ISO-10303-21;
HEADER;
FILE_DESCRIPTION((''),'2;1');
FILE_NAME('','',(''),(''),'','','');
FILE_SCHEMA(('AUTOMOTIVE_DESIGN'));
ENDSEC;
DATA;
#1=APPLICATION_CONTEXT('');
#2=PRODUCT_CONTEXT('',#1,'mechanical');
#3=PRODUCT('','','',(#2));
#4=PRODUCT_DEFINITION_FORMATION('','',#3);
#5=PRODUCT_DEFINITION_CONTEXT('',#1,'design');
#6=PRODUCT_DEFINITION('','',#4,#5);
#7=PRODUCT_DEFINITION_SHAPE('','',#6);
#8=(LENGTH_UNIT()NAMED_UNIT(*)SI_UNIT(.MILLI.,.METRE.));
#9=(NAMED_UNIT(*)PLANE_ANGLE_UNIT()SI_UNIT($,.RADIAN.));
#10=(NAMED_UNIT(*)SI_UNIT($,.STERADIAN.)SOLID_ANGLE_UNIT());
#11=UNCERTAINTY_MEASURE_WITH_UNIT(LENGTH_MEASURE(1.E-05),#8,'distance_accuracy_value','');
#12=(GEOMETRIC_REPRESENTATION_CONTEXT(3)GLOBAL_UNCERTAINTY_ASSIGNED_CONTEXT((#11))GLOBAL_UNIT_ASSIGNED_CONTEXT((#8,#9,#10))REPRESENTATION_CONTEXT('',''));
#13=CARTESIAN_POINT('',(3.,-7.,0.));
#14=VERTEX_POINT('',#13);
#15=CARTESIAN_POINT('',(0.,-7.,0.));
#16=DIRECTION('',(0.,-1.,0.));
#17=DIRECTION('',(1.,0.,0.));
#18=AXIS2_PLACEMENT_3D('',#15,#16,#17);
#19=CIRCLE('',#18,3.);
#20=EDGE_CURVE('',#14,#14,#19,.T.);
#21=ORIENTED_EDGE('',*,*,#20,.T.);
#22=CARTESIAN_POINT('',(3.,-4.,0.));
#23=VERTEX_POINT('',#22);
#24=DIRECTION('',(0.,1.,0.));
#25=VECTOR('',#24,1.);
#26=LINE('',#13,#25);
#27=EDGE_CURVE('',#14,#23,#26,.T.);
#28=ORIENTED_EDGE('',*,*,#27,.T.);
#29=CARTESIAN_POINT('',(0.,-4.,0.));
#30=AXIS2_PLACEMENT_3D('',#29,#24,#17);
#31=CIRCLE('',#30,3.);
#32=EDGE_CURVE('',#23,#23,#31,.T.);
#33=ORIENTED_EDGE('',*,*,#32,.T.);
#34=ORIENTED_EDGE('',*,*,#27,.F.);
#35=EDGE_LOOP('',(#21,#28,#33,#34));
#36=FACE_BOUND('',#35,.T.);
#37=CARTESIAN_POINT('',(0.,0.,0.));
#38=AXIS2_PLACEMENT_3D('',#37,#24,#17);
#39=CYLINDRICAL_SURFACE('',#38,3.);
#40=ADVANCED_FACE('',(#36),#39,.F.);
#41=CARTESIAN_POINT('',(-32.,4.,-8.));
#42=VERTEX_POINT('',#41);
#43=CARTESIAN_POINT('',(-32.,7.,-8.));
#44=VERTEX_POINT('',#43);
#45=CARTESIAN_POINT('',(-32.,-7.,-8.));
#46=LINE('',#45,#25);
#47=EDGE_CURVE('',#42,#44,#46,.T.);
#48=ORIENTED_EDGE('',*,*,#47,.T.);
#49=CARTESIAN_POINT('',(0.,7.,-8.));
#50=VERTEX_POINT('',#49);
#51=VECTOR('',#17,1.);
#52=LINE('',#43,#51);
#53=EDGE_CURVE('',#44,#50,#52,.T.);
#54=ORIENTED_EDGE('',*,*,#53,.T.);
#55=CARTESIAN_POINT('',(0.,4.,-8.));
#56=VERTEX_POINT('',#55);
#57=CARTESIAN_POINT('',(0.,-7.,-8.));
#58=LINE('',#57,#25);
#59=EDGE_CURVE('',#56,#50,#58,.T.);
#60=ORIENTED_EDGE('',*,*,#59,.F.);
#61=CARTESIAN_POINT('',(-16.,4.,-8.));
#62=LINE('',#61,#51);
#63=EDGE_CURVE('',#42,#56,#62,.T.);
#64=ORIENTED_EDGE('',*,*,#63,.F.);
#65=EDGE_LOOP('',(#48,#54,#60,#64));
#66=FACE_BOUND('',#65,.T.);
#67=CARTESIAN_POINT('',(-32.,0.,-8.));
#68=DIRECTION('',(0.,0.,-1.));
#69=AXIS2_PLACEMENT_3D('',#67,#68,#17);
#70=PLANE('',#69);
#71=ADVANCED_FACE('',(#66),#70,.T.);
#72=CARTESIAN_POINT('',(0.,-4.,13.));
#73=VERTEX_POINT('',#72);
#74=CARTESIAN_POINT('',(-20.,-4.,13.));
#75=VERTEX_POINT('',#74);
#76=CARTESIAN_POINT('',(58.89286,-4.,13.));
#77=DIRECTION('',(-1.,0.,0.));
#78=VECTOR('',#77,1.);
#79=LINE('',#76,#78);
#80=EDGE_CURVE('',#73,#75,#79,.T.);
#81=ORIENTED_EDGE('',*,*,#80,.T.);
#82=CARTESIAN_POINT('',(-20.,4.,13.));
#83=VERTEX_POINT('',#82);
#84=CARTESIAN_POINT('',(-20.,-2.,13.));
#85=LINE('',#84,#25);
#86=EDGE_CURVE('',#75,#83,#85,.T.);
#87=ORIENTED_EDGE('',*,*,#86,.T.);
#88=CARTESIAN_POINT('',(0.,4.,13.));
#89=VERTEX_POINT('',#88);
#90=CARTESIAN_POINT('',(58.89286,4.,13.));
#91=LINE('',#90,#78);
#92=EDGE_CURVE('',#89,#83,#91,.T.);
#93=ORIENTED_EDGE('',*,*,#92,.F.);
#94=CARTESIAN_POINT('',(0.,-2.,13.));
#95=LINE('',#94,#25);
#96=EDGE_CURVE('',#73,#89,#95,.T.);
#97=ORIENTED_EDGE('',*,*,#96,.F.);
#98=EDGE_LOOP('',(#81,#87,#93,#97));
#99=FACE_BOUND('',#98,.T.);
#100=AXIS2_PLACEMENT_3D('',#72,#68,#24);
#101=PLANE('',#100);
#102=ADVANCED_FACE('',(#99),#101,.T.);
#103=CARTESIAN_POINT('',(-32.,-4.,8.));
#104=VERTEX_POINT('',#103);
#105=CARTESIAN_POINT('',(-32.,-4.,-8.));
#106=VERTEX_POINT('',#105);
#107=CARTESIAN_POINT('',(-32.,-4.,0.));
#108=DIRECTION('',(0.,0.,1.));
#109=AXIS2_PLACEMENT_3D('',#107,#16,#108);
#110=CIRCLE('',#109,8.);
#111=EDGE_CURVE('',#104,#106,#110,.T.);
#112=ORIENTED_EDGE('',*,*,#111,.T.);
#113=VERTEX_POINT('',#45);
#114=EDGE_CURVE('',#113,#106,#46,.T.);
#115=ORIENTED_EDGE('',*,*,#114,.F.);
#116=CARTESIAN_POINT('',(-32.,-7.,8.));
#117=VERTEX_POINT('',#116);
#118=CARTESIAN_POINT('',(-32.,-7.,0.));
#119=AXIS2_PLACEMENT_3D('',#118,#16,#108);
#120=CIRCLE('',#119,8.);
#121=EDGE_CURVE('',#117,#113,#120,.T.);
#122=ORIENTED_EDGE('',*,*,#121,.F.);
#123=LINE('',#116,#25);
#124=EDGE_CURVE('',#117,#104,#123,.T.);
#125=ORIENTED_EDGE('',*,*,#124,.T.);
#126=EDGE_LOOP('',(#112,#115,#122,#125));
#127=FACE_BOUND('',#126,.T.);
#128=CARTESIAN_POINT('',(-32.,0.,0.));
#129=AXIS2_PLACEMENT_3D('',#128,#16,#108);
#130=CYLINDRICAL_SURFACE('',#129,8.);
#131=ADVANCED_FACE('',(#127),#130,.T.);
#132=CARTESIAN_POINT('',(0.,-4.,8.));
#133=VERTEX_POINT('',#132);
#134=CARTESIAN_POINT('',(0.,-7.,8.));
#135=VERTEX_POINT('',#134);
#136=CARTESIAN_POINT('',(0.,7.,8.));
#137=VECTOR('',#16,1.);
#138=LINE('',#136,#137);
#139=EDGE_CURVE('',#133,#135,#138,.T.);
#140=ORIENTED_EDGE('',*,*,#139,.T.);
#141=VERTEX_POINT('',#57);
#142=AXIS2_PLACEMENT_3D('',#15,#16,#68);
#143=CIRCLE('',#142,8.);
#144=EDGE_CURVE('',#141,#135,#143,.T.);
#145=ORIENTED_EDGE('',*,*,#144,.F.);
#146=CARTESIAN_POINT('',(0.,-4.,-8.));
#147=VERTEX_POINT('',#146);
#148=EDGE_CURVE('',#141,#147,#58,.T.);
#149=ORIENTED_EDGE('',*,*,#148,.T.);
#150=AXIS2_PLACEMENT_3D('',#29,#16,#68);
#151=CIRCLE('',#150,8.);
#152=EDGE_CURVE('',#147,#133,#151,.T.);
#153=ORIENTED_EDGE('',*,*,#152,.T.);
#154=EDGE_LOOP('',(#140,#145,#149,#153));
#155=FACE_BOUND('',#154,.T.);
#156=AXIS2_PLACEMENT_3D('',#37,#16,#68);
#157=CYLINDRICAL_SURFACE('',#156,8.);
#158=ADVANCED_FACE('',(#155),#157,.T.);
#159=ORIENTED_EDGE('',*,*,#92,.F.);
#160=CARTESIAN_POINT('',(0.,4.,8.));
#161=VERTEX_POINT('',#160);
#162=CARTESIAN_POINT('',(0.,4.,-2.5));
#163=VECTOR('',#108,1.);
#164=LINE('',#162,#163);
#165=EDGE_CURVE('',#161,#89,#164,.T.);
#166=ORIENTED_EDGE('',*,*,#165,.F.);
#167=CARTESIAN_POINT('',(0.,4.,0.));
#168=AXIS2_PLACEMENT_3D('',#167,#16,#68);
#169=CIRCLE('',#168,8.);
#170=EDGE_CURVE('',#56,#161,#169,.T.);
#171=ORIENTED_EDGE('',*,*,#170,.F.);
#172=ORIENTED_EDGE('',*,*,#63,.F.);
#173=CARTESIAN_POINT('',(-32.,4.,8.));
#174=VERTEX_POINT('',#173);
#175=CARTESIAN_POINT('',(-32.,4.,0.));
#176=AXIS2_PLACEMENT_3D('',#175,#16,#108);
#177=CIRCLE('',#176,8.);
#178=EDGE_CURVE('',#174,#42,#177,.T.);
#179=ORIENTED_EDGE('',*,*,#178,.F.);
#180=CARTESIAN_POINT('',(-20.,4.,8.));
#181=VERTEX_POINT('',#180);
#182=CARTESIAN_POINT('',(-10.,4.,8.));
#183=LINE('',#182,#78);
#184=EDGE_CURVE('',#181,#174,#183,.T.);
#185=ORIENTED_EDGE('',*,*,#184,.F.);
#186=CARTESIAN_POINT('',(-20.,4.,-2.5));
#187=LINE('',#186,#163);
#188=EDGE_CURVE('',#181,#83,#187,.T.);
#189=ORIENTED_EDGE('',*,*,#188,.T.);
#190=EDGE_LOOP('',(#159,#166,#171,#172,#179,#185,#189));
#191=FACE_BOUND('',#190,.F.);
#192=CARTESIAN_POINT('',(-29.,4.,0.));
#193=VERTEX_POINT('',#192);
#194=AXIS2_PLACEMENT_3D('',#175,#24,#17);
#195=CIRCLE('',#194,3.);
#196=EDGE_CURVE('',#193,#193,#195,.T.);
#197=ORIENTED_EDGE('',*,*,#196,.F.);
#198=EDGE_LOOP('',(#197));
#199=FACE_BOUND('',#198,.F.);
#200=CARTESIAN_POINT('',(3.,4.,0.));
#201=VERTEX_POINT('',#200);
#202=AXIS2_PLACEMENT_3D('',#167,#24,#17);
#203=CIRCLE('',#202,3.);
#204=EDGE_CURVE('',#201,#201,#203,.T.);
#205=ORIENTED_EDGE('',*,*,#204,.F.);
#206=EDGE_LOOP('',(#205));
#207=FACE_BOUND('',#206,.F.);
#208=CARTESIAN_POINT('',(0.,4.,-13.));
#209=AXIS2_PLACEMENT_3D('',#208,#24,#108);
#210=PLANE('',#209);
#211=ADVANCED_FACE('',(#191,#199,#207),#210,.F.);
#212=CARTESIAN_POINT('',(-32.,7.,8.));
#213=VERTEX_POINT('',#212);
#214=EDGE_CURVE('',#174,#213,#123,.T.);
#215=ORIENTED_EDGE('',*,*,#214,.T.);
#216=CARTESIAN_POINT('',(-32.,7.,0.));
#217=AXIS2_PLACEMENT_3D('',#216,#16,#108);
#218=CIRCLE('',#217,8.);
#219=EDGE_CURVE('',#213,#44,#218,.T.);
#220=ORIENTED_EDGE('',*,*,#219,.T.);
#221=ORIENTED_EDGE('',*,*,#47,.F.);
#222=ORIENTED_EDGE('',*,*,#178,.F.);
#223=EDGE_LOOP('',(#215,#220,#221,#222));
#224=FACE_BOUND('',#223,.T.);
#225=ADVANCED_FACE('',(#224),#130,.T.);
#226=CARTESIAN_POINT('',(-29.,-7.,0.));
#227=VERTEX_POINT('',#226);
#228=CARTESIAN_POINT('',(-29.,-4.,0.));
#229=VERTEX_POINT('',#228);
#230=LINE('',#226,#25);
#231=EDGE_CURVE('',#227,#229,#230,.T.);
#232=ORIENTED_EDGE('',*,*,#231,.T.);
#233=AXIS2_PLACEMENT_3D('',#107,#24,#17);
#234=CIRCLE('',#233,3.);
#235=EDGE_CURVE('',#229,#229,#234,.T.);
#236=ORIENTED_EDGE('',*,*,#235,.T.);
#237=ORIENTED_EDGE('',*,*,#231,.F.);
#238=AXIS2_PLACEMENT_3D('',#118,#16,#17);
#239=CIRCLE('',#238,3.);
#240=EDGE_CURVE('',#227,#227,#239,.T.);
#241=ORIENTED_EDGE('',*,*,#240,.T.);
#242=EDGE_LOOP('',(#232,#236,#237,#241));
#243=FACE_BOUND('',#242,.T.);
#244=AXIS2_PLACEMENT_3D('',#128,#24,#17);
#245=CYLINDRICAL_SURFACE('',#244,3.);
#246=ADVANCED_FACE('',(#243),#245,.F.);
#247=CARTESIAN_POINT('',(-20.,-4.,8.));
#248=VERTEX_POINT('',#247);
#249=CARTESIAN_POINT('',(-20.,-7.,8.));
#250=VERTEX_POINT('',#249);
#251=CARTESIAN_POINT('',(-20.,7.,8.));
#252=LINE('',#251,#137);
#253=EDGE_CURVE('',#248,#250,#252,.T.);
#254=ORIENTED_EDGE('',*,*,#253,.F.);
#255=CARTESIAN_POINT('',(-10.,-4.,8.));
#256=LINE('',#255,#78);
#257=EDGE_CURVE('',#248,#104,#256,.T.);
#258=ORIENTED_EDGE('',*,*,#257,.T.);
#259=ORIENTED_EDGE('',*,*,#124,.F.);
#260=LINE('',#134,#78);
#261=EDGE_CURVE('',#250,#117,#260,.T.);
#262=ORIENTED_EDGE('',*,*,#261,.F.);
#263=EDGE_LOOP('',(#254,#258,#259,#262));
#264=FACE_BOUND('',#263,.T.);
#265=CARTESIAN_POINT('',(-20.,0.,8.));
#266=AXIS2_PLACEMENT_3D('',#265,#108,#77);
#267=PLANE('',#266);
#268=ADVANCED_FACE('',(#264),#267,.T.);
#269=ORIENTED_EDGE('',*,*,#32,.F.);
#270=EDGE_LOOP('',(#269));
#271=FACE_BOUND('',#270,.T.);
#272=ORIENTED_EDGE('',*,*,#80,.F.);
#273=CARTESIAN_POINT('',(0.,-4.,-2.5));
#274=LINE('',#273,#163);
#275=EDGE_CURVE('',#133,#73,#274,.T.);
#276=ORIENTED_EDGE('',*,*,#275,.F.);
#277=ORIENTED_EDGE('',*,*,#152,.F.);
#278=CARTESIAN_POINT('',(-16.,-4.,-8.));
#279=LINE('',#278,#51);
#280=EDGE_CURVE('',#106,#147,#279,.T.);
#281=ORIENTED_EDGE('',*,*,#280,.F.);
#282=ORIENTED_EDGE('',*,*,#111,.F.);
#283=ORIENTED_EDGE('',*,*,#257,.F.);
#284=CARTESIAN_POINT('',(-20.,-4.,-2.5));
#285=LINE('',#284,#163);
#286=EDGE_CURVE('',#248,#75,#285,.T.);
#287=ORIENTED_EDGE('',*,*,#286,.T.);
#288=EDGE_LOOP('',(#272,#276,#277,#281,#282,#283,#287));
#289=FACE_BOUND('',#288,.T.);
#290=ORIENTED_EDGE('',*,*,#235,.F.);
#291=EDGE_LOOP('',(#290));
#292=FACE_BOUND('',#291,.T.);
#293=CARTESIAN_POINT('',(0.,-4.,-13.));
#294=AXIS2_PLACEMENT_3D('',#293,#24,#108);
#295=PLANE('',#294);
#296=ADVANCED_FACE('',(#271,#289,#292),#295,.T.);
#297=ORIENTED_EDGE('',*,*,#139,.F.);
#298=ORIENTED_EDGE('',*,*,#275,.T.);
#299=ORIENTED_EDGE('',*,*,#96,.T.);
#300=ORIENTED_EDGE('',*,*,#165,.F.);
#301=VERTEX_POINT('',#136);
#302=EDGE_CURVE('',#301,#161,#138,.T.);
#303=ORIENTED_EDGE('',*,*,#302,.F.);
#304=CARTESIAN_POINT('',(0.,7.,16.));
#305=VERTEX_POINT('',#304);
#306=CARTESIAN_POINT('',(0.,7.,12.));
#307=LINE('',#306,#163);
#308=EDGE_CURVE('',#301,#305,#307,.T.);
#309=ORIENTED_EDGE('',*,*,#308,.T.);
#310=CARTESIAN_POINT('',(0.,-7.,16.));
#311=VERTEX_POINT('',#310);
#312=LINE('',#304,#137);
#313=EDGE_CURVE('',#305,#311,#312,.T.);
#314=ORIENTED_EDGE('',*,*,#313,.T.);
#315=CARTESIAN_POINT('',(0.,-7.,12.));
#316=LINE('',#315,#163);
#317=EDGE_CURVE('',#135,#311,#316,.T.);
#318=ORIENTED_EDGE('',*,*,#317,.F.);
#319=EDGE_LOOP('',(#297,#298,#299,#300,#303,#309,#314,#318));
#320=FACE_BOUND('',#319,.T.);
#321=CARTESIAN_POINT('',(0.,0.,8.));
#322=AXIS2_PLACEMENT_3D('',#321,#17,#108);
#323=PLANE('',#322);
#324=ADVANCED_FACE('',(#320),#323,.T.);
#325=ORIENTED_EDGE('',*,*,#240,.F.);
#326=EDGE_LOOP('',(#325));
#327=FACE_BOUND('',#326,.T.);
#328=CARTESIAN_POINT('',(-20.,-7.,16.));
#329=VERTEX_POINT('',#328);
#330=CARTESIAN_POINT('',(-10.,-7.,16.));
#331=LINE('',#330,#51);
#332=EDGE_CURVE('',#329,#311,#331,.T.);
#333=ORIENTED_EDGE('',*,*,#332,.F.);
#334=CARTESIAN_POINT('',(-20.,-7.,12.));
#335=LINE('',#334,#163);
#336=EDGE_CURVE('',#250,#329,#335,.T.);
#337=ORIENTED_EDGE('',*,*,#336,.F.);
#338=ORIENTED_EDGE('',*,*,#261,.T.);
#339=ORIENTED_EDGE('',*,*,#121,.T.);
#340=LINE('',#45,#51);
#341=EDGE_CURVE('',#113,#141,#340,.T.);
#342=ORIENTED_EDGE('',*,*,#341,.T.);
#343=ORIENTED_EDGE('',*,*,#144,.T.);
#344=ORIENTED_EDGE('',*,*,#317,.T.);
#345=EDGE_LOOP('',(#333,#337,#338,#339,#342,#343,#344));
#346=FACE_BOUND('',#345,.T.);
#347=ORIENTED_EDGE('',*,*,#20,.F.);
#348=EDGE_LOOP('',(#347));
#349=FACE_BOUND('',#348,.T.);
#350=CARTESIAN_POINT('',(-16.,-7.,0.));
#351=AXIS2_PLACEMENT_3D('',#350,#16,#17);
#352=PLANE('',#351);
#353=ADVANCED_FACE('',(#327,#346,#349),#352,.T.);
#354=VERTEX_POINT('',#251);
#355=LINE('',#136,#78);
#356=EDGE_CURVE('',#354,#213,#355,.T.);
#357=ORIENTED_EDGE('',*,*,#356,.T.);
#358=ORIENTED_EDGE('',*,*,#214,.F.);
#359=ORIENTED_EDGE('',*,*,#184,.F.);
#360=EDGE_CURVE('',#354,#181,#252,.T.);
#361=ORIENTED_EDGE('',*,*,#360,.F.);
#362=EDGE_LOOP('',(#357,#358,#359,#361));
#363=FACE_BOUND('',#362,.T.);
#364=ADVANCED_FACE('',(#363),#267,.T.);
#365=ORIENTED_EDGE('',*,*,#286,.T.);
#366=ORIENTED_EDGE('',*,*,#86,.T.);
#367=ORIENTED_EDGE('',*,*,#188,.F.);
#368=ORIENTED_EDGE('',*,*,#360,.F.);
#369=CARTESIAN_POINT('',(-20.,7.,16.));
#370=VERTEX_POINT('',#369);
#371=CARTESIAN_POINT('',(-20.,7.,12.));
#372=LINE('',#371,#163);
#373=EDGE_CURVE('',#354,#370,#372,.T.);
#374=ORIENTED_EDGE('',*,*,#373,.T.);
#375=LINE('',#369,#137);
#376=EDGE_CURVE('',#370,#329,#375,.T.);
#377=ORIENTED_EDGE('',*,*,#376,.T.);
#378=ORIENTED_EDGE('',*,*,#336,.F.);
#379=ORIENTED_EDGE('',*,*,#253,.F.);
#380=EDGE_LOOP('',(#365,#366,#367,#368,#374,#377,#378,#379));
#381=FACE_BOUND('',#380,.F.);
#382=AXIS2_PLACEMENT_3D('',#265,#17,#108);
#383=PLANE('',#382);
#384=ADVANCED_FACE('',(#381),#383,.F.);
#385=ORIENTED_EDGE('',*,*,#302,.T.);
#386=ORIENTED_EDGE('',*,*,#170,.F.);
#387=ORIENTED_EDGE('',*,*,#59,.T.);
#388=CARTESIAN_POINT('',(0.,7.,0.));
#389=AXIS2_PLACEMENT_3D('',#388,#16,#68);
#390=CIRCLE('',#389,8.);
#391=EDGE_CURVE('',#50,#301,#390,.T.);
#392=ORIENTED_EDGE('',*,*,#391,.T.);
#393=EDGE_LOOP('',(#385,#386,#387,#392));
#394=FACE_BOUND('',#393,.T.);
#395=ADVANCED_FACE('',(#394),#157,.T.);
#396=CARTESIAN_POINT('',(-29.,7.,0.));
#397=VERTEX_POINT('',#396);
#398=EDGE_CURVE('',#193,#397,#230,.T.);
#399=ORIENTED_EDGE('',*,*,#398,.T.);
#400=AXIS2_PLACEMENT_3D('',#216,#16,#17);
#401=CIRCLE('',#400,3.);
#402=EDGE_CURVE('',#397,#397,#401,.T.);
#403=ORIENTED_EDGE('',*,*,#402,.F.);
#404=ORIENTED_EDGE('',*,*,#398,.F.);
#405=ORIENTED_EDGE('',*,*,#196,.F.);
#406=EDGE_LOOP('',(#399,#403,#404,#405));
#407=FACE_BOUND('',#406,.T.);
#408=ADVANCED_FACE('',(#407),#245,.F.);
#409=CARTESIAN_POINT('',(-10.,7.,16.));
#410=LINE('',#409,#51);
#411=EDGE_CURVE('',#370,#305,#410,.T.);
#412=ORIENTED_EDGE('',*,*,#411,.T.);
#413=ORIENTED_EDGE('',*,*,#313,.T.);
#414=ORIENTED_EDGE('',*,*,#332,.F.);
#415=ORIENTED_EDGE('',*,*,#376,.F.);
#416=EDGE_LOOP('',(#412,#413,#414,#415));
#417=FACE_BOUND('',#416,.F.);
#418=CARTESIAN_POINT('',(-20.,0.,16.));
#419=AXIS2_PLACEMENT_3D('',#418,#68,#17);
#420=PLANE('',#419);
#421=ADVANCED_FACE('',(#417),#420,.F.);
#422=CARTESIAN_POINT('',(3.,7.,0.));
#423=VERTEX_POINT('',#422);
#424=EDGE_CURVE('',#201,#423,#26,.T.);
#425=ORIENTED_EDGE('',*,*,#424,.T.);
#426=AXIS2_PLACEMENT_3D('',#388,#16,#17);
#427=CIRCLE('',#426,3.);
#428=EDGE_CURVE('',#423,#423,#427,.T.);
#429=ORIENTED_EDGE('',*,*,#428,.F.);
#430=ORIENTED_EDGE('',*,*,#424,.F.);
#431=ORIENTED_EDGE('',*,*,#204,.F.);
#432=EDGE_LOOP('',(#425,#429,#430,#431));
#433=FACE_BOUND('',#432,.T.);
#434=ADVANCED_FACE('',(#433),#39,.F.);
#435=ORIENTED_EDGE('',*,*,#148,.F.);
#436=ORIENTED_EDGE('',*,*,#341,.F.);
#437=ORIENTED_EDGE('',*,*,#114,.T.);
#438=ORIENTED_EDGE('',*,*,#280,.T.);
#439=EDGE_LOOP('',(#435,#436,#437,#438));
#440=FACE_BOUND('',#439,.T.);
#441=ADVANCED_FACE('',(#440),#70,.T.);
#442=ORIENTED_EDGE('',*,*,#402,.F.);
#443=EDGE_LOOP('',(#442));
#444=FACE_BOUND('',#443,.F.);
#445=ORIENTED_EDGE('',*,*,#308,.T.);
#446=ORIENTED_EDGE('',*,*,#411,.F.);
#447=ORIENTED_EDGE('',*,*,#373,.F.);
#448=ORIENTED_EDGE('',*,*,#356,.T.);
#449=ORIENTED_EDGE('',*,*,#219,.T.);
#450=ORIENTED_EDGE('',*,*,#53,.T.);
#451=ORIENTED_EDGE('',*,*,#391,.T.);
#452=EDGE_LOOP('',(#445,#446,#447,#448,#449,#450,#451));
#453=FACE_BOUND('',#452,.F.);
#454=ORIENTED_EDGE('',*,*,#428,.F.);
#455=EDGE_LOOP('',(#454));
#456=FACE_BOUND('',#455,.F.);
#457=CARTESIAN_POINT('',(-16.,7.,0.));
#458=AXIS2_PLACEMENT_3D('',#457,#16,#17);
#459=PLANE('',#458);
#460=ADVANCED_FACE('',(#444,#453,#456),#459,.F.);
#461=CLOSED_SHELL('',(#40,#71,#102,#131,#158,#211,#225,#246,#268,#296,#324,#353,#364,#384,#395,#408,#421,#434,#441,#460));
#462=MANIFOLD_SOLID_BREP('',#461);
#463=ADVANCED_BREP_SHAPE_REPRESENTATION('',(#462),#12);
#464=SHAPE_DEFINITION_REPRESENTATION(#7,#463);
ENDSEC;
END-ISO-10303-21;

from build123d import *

# Parameters (mm, degrees)
F0_R     = 3
F0_W     = 20
F0_H     = 8
F1_DEPTH = 7
F2_W     = 8
F2_H     = 26
F3_DEPTH = 58.89286


with BuildPart() as f1:
    # F0 (on Front) → F1 (new body, symmetric)
    with BuildSketch(Plane.XZ):
        with BuildLine():
            ThreePointArc((0, -8), (8, 0), (0, 8))
            Line((0, 8), (-20, 8))
            Line((-20, 8), (-32, 8))
            ThreePointArc((-32, 8), (-40, 0), (-32, -8))
            Line((-32, -8), (0, -8))
        make_face()
        with Locations((-32, 0)):
            Circle(F0_R, mode=Mode.SUBTRACT)
        Circle(F0_R, mode=Mode.SUBTRACT)
        with Locations((-10, 12)):
            Rectangle(F0_W, F0_H)
    extrude(amount=F1_DEPTH, both=True)

    # F2 (on Right) → F3 (cut, symmetric)
    with BuildSketch(Plane.YZ):
        Rectangle(F2_W, F2_H)
    extrude(amount=F3_DEPTH, both=True, mode=Mode.SUBTRACT)


solid = f1.part
